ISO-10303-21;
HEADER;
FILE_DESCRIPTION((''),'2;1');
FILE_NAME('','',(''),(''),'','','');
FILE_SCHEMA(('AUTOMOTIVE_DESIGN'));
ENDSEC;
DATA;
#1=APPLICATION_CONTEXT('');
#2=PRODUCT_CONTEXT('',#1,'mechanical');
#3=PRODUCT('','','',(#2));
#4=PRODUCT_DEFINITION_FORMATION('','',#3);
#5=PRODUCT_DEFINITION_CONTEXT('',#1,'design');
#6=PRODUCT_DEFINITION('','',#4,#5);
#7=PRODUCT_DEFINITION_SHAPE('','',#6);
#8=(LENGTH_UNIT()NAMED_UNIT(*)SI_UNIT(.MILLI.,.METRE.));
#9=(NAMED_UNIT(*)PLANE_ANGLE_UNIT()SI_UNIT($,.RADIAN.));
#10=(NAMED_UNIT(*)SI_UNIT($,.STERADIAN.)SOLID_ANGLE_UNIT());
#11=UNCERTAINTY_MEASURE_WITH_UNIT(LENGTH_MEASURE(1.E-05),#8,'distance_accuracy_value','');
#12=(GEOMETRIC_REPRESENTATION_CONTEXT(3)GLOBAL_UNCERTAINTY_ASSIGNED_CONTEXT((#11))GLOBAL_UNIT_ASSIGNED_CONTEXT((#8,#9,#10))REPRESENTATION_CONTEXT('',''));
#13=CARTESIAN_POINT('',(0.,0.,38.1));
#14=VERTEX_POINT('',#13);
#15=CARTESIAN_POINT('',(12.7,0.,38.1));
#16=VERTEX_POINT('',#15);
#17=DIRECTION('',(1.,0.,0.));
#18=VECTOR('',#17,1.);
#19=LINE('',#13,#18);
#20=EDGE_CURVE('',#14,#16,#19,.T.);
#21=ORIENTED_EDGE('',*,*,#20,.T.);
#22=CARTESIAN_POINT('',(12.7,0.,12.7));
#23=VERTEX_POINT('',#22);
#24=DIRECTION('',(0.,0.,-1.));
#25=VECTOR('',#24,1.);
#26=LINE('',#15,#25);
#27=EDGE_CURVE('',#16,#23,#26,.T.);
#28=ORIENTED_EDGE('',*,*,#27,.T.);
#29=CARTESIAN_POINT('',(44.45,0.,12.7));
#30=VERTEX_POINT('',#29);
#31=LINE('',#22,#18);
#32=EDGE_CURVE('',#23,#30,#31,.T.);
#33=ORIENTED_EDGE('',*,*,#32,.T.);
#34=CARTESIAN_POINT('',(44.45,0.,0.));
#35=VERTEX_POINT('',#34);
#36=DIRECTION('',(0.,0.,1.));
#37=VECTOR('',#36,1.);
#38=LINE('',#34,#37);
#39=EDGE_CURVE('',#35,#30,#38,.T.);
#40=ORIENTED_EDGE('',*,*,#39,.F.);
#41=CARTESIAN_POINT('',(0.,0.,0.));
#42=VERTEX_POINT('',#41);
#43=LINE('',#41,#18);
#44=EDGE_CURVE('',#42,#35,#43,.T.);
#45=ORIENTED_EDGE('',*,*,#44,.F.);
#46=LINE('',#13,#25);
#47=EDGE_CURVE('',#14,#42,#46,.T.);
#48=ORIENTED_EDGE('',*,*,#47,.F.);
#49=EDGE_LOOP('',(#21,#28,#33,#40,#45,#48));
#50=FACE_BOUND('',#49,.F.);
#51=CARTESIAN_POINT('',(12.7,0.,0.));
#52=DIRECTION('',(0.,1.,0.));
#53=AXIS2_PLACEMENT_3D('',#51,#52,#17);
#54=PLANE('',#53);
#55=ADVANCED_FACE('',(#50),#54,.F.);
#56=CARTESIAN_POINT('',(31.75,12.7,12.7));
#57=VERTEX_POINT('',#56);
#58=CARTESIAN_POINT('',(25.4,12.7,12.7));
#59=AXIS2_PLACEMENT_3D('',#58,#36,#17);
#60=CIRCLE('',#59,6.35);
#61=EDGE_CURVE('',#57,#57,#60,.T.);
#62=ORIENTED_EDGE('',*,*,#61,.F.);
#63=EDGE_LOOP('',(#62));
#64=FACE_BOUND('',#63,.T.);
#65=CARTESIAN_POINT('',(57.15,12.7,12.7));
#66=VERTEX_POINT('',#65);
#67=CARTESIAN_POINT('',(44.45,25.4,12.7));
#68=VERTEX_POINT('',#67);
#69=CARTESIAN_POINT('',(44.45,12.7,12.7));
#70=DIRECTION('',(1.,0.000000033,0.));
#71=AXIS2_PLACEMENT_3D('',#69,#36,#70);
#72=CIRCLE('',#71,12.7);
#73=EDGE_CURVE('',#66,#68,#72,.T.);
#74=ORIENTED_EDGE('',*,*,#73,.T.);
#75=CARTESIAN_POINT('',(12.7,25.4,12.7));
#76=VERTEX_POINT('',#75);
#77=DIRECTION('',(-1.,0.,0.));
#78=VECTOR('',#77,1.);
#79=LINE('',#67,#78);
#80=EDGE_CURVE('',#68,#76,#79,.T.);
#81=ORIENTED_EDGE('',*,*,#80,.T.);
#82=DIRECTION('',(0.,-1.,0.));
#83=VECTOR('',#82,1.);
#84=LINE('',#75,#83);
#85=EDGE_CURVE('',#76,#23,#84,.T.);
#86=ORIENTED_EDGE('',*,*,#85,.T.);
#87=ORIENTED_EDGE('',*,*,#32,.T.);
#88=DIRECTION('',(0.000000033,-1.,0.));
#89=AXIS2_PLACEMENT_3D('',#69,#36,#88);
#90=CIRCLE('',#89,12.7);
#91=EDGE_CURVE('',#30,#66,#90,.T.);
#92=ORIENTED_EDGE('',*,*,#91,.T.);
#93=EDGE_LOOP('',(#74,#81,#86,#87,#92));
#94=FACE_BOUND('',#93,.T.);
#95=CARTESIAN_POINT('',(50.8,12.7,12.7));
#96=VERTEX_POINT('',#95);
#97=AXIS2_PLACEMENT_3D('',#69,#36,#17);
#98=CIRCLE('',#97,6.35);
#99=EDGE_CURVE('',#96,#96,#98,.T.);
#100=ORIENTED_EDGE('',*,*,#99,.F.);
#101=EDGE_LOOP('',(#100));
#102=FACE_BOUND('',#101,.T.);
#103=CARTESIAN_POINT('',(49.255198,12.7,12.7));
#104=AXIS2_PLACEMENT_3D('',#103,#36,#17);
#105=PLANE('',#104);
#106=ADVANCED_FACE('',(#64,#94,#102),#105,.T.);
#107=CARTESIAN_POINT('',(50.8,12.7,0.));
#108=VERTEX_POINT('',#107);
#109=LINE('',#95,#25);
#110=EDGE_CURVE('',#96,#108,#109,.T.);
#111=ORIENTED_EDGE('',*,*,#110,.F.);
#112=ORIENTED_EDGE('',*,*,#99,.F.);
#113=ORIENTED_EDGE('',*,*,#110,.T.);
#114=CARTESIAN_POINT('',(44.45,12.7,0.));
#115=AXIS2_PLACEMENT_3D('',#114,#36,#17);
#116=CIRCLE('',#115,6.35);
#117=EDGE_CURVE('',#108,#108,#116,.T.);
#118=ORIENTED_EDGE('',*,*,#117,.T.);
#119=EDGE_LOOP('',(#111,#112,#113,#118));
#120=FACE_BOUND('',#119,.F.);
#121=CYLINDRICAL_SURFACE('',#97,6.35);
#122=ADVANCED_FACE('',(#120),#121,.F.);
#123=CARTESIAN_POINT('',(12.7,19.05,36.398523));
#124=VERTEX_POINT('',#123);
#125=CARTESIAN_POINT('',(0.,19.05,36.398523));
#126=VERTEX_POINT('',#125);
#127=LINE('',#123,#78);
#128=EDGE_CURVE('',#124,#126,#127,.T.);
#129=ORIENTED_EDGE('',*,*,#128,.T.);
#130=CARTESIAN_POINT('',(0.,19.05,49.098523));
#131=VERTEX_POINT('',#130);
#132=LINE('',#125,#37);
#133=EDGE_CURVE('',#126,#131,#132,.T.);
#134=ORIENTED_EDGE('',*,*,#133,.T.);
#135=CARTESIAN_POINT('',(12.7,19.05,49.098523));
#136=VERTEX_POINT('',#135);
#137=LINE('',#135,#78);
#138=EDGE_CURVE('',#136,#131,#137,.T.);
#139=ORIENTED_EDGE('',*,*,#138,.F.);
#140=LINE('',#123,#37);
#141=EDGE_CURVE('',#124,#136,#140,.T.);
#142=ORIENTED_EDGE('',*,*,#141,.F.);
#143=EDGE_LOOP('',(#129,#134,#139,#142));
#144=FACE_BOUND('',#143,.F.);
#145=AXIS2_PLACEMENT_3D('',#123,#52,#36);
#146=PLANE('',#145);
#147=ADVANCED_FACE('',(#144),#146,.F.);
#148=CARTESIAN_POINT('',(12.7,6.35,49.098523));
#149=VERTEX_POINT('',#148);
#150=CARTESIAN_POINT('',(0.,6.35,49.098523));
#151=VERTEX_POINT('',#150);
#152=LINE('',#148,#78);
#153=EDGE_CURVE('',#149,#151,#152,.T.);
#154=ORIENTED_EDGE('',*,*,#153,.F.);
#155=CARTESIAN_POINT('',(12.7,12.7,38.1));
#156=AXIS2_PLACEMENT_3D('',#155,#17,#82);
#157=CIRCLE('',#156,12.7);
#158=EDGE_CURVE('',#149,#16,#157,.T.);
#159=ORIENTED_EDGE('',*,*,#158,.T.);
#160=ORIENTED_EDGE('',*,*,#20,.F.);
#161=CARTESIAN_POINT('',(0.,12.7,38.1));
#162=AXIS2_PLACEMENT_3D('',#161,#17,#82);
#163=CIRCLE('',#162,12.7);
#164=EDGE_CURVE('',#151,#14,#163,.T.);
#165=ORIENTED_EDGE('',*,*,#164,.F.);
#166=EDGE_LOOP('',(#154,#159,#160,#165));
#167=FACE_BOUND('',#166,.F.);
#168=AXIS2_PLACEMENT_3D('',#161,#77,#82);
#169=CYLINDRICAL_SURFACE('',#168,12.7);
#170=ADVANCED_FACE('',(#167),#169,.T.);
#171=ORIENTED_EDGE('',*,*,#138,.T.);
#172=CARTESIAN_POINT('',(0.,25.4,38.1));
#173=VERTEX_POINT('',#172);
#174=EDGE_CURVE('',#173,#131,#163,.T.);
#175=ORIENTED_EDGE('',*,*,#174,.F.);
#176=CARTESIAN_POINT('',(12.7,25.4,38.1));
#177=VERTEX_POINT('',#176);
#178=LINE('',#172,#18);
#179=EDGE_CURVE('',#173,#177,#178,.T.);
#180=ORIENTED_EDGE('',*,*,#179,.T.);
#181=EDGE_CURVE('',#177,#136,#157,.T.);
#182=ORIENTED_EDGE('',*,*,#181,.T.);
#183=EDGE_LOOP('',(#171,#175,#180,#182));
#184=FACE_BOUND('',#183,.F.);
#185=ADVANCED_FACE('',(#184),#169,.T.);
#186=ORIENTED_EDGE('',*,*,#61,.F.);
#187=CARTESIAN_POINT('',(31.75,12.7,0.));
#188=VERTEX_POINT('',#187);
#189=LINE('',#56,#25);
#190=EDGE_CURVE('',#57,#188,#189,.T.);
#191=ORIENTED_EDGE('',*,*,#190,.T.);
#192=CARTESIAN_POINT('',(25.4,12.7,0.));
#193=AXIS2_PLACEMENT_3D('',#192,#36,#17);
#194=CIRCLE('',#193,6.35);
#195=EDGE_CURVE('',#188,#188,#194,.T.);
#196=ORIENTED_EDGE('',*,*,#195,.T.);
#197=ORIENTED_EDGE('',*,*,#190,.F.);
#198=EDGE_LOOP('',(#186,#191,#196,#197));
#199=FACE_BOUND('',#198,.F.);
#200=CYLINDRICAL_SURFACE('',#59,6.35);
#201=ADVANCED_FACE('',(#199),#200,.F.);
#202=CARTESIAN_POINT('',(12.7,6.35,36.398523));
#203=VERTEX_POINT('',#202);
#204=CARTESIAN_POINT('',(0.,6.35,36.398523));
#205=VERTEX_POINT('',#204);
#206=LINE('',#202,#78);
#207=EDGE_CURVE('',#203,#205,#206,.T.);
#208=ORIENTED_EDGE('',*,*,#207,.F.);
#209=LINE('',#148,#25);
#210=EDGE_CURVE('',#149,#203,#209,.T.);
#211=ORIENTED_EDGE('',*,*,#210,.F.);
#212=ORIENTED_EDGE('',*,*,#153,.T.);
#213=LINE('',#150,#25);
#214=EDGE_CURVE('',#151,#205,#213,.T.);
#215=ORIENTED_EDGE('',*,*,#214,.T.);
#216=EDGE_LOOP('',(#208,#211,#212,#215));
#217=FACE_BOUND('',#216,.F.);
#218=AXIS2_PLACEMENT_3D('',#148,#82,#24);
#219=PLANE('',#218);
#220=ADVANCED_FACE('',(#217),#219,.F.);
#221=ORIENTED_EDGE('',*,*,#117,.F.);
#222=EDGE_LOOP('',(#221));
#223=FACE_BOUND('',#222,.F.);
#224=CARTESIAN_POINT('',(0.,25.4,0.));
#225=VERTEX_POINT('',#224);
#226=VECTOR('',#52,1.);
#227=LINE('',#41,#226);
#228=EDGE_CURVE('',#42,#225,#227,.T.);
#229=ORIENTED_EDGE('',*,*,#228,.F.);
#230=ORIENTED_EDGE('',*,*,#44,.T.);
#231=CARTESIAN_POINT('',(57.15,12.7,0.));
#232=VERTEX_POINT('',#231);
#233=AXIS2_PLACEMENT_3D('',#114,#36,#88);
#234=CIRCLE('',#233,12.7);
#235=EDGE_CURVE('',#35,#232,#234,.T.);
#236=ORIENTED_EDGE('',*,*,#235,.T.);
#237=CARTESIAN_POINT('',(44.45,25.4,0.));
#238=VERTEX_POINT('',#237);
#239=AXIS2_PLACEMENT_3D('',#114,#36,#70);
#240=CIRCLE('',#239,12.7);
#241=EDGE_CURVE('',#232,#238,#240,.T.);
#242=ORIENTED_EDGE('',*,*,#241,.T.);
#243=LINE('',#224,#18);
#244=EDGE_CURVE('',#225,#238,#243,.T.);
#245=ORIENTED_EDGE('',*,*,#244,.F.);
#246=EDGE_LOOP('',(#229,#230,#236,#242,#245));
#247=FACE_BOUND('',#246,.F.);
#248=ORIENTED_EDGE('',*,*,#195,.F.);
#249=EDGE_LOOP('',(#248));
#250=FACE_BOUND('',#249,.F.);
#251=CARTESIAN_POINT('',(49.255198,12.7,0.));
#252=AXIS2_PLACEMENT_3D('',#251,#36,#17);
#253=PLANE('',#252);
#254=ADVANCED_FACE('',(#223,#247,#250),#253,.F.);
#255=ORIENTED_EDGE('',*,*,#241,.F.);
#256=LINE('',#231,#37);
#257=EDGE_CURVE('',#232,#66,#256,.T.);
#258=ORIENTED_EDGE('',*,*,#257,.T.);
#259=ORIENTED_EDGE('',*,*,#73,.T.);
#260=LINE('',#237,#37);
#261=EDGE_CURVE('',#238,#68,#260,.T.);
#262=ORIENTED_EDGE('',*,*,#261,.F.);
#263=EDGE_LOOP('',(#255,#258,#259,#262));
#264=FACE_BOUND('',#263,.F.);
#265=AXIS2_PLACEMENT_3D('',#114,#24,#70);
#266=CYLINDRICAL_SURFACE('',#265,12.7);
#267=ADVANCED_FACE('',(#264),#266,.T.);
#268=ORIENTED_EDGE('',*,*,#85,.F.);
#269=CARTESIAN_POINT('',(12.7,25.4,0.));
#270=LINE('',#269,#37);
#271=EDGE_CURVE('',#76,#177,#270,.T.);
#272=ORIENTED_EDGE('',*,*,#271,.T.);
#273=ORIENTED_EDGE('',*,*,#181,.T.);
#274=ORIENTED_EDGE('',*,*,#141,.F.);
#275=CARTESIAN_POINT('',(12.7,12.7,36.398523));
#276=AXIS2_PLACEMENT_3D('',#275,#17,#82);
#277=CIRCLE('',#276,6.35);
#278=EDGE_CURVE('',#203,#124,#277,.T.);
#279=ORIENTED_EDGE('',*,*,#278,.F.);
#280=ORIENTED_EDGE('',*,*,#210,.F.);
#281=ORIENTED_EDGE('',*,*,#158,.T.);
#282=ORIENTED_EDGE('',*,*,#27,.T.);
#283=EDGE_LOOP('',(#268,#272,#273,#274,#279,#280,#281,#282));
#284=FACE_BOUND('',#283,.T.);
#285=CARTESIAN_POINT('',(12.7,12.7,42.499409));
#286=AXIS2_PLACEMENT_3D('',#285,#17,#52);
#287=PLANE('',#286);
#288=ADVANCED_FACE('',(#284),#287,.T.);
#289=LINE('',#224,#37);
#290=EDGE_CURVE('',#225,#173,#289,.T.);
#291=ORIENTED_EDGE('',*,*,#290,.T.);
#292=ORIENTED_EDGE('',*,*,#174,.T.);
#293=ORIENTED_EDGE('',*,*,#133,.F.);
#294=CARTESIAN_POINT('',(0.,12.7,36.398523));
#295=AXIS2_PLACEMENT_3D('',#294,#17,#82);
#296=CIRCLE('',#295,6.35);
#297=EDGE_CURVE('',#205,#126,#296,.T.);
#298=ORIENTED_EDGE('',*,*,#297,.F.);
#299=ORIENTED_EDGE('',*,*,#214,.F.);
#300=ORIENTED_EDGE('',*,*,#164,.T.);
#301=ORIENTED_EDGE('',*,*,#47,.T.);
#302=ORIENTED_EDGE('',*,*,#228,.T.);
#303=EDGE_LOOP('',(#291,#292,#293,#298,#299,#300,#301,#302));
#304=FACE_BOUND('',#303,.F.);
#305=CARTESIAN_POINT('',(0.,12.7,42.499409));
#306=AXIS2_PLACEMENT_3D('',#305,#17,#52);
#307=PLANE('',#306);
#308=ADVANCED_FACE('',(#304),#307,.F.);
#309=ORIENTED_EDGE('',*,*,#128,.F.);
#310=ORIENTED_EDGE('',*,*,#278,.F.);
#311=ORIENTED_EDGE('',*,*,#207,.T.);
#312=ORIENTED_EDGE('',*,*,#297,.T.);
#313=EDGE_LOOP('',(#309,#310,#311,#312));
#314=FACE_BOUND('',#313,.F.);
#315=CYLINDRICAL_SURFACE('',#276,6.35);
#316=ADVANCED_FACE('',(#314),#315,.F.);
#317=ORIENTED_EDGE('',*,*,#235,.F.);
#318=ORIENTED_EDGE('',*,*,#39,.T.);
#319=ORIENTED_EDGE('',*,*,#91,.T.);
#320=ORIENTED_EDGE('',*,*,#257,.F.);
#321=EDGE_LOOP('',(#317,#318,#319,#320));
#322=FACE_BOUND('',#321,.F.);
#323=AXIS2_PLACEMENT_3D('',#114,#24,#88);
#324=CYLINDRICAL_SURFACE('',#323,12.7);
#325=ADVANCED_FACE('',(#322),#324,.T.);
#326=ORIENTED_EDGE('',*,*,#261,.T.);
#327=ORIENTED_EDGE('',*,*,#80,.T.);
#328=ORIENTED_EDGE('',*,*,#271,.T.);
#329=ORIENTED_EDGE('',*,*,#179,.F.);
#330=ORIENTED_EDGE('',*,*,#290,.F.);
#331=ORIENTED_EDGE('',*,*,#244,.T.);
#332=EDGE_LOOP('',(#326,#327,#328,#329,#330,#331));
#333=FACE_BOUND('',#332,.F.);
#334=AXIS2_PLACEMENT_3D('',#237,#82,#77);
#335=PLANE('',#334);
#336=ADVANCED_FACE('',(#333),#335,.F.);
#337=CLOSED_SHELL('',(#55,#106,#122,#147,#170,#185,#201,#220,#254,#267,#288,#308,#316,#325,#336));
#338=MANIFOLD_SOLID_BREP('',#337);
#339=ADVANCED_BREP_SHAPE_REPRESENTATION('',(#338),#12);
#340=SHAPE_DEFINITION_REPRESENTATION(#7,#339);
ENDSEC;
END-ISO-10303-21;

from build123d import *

# Parameters (mm, degrees)
F1_DEPTH = 12.7
F3_DEPTH = 12.7
F5_DEPTH = 12.7
F6_R     = 6.35
F7_DEPTH = 12.7


with BuildPart() as f1:
    # F0 (on Right) → F1 (new body)
    with BuildSketch(Plane.YZ):
        with BuildLine():
            ThreePointArc((25.4, 38.1), (12.7, 50.8), (0, 38.1))
            Line((0, 38.1), (25.4, 38.1))
        make_face()
        with BuildLine():
            Line((25.4, 38.1), (0, 38.1))
            ThreePointArc((0, 38.1), (12.7, 25.4), (25.4, 38.1))
        make_face()
        with BuildLine():
            Line((0, 38.1), (0, 0))
            Line((0, 0), (25.4, 0))
            Line((25.4, 0), (25.4, 38.1))
            ThreePointArc((25.4, 38.1), (12.7, 25.4), (0, 38.1))
        make_face()
    extrude(amount=F1_DEPTH)

    # F2 (on face) → F3 (cut)
    with BuildSketch(Plane.YZ.offset(12.7)):
        with BuildLine():
            Line((19.05, 49.098523), (6.35, 49.098523))
            Line((6.35, 49.098523), (6.35, 36.398523))
            ThreePointArc((6.35, 36.398523), (12.7, 42.748523), (19.05, 36.398523))
            Line((19.05, 36.398523), (19.05, 49.098523))
        make_face()
        with BuildLine():
            ThreePointArc((19.05, 36.398523), (12.7, 42.748523), (6.35, 36.398523))
            Line((6.35, 36.398523), (19.05, 36.398523))
        make_face()
        with BuildLine():
            Line((19.05, 36.398523), (6.35, 36.398523))
            ThreePointArc((6.35, 36.398523), (12.7, 30.048523), (19.05, 36.398523))
        make_face()
        with BuildLine():
            ThreePointArc((19.05, 49.098523), (12.7, 50.8), (6.35, 49.098523))
            Line((6.35, 49.098523), (19.05, 49.098523))
        make_face()
    extrude(amount=-F3_DEPTH, mode=Mode.SUBTRACT)

    # F4 (on Top) → F5 (join)
    with BuildSketch(Plane.XY):
        with BuildLine():
            Line((44.45, 25.4), (44.45, 0))
            ThreePointArc((44.45, 0), (53.430256, 3.719744), (57.15, 12.7))
            ThreePointArc((57.15, 12.7), (53.430256, 21.680256), (44.45, 25.4))
        make_face()
        with BuildLine():
            ThreePointArc((44.45, 25.4), (31.75, 12.7), (44.45, 0))
            Line((44.45, 0), (44.45, 25.4))
        make_face()
        with BuildLine():
            Line((12.7, 25.4), (12.7, 0))
            Line((12.7, 0), (44.45, 0))
            ThreePointArc((44.45, 0), (31.75, 12.7), (44.45, 25.4))
            Line((44.45, 25.4), (12.7, 25.4))
        make_face()
    extrude(amount=F5_DEPTH)

    # F6 (on face) → F7 (cut)
    with BuildSketch(Plane.XY.offset(12.7)):
        with Locations((44.45, 12.7)):
            Circle(F6_R)
        with Locations((25.4, 12.7)):
            Circle(F6_R)
    extrude(amount=-F7_DEPTH, mode=Mode.SUBTRACT)


solid = f1.part
